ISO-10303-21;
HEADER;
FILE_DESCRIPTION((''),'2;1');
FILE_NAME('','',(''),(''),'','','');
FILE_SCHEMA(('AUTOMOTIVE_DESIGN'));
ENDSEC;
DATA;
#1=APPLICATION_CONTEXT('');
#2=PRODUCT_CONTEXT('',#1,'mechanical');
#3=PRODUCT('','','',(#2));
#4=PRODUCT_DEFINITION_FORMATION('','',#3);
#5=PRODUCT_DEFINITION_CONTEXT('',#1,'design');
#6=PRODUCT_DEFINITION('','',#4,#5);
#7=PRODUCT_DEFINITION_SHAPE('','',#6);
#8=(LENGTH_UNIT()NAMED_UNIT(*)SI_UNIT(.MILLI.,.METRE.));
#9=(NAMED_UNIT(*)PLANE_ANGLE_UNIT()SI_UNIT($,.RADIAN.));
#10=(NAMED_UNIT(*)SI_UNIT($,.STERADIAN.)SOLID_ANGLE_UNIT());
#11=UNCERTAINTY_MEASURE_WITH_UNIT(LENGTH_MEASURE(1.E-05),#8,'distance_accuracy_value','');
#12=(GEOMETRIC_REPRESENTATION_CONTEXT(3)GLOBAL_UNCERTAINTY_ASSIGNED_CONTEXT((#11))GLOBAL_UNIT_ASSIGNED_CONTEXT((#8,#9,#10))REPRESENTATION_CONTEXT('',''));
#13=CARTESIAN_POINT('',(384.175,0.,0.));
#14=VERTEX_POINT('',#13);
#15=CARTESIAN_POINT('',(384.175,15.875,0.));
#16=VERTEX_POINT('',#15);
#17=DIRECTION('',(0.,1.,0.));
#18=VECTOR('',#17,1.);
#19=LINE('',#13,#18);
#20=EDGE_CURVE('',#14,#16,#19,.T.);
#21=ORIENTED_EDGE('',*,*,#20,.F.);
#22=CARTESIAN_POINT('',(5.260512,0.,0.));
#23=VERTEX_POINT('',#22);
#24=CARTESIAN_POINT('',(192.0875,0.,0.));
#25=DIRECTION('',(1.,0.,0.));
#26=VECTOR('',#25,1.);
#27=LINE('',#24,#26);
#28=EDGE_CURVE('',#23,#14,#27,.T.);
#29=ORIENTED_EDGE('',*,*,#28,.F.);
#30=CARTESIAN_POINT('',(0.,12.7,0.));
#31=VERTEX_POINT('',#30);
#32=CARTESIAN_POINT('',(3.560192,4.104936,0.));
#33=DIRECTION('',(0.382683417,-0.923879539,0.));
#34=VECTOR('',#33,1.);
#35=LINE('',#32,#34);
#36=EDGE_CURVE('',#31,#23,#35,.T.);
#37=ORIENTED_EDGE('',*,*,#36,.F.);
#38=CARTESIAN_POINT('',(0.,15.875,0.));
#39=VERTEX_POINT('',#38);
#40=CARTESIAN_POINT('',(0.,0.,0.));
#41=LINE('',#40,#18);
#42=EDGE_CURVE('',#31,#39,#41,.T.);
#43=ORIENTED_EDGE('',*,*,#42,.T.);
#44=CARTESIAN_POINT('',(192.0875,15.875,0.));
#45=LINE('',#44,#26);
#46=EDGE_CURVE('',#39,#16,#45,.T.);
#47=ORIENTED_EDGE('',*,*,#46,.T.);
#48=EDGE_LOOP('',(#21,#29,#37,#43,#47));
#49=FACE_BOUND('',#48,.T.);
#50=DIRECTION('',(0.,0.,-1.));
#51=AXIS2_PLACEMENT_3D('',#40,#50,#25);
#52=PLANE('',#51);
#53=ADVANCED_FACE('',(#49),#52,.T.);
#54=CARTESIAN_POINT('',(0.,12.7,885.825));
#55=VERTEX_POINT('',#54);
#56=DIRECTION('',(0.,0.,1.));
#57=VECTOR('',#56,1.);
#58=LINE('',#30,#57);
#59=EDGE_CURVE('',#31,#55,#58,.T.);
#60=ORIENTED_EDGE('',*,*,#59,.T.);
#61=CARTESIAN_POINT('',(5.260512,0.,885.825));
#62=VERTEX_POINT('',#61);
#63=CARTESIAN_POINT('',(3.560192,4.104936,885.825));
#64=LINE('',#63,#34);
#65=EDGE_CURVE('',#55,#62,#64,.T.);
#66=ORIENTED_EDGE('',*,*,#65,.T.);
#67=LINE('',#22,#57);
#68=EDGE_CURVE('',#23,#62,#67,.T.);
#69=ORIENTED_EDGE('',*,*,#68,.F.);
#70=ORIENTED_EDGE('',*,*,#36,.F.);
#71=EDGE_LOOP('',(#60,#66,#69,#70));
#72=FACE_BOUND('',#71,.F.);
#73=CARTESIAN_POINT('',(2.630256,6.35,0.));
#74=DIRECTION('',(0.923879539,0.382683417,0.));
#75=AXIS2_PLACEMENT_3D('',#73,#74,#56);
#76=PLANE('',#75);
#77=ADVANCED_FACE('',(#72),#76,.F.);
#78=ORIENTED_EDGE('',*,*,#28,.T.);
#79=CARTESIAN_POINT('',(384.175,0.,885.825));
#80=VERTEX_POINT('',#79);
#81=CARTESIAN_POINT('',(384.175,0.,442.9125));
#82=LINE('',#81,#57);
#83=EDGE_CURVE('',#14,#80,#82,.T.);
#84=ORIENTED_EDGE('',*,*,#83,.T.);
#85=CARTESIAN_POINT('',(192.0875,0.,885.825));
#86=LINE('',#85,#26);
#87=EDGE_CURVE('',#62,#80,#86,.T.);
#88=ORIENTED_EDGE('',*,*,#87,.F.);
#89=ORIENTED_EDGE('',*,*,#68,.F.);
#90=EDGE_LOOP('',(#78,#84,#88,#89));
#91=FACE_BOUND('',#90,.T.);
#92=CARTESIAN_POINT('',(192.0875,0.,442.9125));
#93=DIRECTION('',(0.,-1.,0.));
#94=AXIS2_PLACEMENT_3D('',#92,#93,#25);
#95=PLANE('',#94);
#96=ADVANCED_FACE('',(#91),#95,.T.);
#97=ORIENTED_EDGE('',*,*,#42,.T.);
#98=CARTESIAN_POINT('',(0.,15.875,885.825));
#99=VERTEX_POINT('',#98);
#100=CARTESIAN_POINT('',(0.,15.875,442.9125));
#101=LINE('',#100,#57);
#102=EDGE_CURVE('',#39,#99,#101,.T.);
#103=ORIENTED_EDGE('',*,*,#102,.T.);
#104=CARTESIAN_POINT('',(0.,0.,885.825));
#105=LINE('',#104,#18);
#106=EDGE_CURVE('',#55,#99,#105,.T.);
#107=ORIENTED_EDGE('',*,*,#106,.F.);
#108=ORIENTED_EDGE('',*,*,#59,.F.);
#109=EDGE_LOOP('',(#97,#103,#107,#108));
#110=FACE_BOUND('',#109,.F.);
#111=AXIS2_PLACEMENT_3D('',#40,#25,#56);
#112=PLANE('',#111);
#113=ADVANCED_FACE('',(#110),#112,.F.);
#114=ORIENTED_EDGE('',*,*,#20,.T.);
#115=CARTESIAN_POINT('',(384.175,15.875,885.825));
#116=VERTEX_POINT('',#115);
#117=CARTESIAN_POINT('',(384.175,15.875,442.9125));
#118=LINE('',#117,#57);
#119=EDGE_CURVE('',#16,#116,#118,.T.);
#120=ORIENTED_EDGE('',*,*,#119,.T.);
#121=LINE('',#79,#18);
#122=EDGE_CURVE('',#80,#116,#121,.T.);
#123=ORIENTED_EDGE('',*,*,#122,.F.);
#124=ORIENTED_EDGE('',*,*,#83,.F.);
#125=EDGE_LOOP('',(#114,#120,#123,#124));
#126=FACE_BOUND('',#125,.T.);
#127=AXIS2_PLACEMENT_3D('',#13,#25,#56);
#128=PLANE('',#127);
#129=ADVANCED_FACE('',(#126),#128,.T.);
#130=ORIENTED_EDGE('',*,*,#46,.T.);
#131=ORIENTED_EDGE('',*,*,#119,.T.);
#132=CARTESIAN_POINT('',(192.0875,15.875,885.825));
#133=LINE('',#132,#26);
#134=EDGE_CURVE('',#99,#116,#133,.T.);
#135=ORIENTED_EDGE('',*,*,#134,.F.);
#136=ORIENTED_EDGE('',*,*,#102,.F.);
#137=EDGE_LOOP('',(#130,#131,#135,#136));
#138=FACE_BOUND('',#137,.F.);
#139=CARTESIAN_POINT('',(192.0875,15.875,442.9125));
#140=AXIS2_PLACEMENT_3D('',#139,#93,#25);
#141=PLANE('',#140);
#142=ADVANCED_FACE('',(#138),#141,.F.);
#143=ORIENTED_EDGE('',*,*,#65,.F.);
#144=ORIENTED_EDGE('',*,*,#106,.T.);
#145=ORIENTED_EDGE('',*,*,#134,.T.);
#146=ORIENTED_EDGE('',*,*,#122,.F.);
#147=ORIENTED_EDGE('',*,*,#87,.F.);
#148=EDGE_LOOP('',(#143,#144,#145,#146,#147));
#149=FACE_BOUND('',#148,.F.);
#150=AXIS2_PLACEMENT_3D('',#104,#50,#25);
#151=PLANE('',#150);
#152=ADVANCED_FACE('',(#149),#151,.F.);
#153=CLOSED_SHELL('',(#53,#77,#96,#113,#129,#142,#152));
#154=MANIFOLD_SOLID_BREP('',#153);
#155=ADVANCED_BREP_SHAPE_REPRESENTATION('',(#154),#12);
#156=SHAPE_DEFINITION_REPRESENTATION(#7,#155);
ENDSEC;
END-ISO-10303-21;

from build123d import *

# Parameters (mm, degrees)
F0_W     = 384.175
F0_H     = 885.825
F1_DEPTH = 15.875
F2_SIZE2 = 5.260512
F2_SIZE  = 12.7


with BuildPart() as f1:
    # F0 (on Front) → F1 (new body)
    with BuildSketch(Plane.XZ):
        with Locations((192.0875, 442.9125)):
            Rectangle(F0_W, F0_H)
    extrude(amount=-F1_DEPTH)

    # F2
    f2_edges = [f1.edges().sort_by_distance(p)[0] for p in [
        (0, 0, 442.9125),
    ]]
    chamfer(f2_edges, length=F2_SIZE, length2=F2_SIZE2)


solid = f1.part
